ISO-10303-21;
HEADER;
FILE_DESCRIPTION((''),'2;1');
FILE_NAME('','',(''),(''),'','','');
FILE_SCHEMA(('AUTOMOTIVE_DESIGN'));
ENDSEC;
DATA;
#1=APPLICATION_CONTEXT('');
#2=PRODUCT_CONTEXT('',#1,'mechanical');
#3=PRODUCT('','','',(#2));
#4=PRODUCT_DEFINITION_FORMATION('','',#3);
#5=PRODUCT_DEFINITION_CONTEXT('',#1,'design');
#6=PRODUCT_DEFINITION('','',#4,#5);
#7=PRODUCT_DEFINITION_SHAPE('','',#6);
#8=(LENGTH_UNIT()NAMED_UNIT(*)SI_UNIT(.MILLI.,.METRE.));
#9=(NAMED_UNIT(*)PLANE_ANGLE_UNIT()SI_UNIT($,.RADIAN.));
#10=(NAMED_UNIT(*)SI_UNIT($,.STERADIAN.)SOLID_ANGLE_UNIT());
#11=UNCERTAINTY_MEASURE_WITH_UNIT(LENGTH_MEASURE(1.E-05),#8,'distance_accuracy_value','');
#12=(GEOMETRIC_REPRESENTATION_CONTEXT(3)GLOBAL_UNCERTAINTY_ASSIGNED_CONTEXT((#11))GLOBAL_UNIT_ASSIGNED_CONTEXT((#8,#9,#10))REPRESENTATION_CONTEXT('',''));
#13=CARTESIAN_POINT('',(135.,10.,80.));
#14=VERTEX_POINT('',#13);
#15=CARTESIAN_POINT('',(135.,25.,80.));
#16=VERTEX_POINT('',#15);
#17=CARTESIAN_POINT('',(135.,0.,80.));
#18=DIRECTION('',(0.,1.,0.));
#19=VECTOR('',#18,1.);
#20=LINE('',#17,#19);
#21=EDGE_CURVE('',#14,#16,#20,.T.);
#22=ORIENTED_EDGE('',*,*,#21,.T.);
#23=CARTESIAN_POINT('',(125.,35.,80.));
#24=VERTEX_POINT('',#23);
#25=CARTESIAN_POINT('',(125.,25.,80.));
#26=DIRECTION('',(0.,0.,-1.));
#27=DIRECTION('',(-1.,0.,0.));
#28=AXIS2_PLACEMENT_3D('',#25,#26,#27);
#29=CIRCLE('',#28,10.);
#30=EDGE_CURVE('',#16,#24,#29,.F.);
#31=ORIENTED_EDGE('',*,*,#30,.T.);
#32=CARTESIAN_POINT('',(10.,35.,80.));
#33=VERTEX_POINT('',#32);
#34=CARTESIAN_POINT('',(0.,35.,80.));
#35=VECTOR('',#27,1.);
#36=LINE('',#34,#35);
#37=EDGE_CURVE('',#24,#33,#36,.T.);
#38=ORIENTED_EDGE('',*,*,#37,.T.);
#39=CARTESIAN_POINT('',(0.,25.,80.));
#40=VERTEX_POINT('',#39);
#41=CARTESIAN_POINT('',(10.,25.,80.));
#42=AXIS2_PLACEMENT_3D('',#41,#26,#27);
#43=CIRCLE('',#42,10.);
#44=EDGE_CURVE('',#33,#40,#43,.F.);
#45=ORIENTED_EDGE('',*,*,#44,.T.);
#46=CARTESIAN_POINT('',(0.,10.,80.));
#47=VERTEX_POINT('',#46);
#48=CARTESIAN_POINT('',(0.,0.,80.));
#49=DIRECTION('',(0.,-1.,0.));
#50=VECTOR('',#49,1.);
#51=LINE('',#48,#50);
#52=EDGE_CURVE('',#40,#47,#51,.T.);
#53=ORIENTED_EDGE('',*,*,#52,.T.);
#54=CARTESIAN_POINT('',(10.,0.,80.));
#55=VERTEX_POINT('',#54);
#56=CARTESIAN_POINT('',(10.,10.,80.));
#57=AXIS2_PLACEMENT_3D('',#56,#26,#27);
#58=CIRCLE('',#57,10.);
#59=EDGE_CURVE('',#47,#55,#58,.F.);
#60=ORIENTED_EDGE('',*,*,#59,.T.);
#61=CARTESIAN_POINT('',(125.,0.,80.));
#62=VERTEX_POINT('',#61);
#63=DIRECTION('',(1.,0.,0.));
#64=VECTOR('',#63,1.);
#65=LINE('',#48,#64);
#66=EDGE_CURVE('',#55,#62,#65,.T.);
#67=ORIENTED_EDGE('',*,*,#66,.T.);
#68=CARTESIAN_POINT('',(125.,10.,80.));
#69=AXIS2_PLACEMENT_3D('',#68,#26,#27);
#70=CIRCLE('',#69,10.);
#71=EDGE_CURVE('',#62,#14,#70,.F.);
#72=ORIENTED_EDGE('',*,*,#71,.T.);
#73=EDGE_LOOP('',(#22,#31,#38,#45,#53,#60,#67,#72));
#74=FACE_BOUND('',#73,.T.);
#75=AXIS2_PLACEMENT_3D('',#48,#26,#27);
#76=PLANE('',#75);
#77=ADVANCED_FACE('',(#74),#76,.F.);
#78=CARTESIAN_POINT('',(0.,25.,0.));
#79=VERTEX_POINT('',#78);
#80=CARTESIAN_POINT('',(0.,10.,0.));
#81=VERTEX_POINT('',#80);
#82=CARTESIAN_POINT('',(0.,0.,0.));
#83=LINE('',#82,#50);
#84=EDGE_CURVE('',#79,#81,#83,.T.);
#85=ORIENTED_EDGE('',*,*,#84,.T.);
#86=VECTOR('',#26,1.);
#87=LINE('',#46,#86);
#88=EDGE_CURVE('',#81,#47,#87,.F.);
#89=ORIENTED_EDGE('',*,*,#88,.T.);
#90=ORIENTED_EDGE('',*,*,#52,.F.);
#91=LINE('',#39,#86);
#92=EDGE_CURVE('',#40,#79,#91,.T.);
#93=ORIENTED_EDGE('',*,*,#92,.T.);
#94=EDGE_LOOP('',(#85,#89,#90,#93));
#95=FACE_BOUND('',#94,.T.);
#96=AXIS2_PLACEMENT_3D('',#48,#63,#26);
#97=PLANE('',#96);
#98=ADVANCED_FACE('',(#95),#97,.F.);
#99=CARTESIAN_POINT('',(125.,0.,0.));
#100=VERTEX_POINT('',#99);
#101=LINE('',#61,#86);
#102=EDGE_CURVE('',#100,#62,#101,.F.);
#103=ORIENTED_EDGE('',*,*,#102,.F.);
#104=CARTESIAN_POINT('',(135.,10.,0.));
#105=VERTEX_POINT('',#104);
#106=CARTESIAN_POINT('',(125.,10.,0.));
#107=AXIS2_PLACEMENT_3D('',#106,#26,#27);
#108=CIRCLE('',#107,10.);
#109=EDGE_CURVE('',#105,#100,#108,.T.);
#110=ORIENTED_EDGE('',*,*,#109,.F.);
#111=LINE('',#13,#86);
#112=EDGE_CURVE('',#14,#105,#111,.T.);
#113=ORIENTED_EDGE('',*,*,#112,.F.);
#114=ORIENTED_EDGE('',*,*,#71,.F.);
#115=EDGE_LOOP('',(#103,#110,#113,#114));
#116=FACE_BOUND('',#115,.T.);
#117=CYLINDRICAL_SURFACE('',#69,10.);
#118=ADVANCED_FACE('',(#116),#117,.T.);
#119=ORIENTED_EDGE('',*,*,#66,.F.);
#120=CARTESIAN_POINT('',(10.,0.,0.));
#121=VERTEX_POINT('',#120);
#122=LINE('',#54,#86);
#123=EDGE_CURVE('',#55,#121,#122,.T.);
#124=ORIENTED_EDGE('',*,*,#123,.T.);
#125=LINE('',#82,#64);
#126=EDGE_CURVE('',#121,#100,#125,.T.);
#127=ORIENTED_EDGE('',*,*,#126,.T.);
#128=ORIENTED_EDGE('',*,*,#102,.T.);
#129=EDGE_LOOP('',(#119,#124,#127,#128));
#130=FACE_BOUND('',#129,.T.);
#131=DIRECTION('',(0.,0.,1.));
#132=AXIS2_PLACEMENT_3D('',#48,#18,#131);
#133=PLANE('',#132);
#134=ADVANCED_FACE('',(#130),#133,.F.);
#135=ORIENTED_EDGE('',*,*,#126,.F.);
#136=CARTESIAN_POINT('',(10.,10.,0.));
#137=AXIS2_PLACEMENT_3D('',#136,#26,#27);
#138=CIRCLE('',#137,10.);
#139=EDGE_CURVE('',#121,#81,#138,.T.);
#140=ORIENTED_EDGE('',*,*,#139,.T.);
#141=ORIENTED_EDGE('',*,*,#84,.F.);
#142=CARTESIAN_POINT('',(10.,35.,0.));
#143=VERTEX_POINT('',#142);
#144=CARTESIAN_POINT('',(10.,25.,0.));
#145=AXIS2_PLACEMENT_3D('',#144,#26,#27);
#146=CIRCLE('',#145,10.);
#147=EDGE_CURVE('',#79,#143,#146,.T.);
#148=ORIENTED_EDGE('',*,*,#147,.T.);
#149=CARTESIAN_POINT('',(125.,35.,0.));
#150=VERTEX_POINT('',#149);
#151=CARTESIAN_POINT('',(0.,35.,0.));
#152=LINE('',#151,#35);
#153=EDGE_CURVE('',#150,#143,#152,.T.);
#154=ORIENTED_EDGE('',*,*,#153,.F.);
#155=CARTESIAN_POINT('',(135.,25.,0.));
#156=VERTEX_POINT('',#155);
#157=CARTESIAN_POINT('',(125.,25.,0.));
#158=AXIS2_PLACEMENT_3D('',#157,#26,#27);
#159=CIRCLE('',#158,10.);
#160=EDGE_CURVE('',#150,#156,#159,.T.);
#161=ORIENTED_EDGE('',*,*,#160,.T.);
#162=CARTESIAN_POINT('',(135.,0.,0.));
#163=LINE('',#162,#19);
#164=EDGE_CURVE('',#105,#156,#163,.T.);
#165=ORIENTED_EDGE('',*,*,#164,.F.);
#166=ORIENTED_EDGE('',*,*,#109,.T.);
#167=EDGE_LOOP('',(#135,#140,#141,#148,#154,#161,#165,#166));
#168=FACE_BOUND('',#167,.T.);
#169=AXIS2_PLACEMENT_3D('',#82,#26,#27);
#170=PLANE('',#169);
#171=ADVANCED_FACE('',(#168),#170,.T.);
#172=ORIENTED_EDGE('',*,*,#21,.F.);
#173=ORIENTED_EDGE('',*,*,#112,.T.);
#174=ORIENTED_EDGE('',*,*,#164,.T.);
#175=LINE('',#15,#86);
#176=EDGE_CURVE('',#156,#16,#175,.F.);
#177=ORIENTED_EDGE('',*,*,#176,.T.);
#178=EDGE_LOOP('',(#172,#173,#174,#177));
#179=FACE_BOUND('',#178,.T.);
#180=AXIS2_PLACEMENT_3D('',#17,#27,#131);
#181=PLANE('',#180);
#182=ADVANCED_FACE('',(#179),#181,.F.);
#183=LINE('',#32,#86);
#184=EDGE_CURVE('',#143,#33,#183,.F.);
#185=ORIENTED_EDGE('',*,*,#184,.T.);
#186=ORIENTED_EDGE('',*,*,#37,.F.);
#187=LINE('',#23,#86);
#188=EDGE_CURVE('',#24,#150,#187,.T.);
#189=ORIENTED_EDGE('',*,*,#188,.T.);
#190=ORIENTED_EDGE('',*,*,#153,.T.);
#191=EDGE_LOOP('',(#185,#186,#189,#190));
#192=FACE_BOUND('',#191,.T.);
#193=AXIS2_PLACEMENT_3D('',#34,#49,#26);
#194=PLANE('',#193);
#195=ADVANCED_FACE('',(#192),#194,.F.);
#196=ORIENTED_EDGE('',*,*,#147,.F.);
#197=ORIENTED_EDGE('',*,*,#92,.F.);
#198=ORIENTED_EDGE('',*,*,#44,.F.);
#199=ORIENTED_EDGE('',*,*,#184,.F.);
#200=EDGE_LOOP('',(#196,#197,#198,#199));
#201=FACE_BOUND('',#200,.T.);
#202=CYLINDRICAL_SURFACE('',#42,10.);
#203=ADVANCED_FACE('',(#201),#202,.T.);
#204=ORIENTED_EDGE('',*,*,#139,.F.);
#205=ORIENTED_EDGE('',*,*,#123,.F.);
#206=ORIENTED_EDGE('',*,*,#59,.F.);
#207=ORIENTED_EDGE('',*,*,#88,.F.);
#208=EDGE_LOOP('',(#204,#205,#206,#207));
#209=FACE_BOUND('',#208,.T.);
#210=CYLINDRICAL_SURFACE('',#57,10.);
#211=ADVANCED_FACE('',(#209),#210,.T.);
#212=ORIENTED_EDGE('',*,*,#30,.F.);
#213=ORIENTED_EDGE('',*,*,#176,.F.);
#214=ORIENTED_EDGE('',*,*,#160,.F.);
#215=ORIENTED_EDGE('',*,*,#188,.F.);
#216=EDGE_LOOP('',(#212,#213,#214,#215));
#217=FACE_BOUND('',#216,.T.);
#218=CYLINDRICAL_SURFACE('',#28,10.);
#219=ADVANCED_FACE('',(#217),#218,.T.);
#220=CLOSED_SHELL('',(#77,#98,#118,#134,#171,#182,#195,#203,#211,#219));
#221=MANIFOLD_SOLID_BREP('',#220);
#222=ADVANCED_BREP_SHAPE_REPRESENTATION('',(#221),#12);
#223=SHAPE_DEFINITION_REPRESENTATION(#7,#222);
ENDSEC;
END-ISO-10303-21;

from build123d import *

# Parameters (mm, degrees)
SKETCH_1_W      = 135
SKETCH_1_H      = 35
EXTRUDE_1_DEPTH = 80
FILLET_1_R      = 10


with BuildPart() as part:
    # 草图1 → 凸台-拉伸1 (new body)
    with BuildSketch(Plane.XY):
        with Locations((67.5, 17.5)):
            Rectangle(SKETCH_1_W, SKETCH_1_H)
    extrude(amount=EXTRUDE_1_DEPTH)

    # 圆角1
    fillet_1_edges = [part.edges().sort_by_distance(p)[0] for p in [
        (0, 35, 40),
        (135, 35, 40),
        (135, 0, 40),
        (0, 0, 40),
    ]]
    fillet(fillet_1_edges, radius=FILLET_1_R)


solid = part.part
